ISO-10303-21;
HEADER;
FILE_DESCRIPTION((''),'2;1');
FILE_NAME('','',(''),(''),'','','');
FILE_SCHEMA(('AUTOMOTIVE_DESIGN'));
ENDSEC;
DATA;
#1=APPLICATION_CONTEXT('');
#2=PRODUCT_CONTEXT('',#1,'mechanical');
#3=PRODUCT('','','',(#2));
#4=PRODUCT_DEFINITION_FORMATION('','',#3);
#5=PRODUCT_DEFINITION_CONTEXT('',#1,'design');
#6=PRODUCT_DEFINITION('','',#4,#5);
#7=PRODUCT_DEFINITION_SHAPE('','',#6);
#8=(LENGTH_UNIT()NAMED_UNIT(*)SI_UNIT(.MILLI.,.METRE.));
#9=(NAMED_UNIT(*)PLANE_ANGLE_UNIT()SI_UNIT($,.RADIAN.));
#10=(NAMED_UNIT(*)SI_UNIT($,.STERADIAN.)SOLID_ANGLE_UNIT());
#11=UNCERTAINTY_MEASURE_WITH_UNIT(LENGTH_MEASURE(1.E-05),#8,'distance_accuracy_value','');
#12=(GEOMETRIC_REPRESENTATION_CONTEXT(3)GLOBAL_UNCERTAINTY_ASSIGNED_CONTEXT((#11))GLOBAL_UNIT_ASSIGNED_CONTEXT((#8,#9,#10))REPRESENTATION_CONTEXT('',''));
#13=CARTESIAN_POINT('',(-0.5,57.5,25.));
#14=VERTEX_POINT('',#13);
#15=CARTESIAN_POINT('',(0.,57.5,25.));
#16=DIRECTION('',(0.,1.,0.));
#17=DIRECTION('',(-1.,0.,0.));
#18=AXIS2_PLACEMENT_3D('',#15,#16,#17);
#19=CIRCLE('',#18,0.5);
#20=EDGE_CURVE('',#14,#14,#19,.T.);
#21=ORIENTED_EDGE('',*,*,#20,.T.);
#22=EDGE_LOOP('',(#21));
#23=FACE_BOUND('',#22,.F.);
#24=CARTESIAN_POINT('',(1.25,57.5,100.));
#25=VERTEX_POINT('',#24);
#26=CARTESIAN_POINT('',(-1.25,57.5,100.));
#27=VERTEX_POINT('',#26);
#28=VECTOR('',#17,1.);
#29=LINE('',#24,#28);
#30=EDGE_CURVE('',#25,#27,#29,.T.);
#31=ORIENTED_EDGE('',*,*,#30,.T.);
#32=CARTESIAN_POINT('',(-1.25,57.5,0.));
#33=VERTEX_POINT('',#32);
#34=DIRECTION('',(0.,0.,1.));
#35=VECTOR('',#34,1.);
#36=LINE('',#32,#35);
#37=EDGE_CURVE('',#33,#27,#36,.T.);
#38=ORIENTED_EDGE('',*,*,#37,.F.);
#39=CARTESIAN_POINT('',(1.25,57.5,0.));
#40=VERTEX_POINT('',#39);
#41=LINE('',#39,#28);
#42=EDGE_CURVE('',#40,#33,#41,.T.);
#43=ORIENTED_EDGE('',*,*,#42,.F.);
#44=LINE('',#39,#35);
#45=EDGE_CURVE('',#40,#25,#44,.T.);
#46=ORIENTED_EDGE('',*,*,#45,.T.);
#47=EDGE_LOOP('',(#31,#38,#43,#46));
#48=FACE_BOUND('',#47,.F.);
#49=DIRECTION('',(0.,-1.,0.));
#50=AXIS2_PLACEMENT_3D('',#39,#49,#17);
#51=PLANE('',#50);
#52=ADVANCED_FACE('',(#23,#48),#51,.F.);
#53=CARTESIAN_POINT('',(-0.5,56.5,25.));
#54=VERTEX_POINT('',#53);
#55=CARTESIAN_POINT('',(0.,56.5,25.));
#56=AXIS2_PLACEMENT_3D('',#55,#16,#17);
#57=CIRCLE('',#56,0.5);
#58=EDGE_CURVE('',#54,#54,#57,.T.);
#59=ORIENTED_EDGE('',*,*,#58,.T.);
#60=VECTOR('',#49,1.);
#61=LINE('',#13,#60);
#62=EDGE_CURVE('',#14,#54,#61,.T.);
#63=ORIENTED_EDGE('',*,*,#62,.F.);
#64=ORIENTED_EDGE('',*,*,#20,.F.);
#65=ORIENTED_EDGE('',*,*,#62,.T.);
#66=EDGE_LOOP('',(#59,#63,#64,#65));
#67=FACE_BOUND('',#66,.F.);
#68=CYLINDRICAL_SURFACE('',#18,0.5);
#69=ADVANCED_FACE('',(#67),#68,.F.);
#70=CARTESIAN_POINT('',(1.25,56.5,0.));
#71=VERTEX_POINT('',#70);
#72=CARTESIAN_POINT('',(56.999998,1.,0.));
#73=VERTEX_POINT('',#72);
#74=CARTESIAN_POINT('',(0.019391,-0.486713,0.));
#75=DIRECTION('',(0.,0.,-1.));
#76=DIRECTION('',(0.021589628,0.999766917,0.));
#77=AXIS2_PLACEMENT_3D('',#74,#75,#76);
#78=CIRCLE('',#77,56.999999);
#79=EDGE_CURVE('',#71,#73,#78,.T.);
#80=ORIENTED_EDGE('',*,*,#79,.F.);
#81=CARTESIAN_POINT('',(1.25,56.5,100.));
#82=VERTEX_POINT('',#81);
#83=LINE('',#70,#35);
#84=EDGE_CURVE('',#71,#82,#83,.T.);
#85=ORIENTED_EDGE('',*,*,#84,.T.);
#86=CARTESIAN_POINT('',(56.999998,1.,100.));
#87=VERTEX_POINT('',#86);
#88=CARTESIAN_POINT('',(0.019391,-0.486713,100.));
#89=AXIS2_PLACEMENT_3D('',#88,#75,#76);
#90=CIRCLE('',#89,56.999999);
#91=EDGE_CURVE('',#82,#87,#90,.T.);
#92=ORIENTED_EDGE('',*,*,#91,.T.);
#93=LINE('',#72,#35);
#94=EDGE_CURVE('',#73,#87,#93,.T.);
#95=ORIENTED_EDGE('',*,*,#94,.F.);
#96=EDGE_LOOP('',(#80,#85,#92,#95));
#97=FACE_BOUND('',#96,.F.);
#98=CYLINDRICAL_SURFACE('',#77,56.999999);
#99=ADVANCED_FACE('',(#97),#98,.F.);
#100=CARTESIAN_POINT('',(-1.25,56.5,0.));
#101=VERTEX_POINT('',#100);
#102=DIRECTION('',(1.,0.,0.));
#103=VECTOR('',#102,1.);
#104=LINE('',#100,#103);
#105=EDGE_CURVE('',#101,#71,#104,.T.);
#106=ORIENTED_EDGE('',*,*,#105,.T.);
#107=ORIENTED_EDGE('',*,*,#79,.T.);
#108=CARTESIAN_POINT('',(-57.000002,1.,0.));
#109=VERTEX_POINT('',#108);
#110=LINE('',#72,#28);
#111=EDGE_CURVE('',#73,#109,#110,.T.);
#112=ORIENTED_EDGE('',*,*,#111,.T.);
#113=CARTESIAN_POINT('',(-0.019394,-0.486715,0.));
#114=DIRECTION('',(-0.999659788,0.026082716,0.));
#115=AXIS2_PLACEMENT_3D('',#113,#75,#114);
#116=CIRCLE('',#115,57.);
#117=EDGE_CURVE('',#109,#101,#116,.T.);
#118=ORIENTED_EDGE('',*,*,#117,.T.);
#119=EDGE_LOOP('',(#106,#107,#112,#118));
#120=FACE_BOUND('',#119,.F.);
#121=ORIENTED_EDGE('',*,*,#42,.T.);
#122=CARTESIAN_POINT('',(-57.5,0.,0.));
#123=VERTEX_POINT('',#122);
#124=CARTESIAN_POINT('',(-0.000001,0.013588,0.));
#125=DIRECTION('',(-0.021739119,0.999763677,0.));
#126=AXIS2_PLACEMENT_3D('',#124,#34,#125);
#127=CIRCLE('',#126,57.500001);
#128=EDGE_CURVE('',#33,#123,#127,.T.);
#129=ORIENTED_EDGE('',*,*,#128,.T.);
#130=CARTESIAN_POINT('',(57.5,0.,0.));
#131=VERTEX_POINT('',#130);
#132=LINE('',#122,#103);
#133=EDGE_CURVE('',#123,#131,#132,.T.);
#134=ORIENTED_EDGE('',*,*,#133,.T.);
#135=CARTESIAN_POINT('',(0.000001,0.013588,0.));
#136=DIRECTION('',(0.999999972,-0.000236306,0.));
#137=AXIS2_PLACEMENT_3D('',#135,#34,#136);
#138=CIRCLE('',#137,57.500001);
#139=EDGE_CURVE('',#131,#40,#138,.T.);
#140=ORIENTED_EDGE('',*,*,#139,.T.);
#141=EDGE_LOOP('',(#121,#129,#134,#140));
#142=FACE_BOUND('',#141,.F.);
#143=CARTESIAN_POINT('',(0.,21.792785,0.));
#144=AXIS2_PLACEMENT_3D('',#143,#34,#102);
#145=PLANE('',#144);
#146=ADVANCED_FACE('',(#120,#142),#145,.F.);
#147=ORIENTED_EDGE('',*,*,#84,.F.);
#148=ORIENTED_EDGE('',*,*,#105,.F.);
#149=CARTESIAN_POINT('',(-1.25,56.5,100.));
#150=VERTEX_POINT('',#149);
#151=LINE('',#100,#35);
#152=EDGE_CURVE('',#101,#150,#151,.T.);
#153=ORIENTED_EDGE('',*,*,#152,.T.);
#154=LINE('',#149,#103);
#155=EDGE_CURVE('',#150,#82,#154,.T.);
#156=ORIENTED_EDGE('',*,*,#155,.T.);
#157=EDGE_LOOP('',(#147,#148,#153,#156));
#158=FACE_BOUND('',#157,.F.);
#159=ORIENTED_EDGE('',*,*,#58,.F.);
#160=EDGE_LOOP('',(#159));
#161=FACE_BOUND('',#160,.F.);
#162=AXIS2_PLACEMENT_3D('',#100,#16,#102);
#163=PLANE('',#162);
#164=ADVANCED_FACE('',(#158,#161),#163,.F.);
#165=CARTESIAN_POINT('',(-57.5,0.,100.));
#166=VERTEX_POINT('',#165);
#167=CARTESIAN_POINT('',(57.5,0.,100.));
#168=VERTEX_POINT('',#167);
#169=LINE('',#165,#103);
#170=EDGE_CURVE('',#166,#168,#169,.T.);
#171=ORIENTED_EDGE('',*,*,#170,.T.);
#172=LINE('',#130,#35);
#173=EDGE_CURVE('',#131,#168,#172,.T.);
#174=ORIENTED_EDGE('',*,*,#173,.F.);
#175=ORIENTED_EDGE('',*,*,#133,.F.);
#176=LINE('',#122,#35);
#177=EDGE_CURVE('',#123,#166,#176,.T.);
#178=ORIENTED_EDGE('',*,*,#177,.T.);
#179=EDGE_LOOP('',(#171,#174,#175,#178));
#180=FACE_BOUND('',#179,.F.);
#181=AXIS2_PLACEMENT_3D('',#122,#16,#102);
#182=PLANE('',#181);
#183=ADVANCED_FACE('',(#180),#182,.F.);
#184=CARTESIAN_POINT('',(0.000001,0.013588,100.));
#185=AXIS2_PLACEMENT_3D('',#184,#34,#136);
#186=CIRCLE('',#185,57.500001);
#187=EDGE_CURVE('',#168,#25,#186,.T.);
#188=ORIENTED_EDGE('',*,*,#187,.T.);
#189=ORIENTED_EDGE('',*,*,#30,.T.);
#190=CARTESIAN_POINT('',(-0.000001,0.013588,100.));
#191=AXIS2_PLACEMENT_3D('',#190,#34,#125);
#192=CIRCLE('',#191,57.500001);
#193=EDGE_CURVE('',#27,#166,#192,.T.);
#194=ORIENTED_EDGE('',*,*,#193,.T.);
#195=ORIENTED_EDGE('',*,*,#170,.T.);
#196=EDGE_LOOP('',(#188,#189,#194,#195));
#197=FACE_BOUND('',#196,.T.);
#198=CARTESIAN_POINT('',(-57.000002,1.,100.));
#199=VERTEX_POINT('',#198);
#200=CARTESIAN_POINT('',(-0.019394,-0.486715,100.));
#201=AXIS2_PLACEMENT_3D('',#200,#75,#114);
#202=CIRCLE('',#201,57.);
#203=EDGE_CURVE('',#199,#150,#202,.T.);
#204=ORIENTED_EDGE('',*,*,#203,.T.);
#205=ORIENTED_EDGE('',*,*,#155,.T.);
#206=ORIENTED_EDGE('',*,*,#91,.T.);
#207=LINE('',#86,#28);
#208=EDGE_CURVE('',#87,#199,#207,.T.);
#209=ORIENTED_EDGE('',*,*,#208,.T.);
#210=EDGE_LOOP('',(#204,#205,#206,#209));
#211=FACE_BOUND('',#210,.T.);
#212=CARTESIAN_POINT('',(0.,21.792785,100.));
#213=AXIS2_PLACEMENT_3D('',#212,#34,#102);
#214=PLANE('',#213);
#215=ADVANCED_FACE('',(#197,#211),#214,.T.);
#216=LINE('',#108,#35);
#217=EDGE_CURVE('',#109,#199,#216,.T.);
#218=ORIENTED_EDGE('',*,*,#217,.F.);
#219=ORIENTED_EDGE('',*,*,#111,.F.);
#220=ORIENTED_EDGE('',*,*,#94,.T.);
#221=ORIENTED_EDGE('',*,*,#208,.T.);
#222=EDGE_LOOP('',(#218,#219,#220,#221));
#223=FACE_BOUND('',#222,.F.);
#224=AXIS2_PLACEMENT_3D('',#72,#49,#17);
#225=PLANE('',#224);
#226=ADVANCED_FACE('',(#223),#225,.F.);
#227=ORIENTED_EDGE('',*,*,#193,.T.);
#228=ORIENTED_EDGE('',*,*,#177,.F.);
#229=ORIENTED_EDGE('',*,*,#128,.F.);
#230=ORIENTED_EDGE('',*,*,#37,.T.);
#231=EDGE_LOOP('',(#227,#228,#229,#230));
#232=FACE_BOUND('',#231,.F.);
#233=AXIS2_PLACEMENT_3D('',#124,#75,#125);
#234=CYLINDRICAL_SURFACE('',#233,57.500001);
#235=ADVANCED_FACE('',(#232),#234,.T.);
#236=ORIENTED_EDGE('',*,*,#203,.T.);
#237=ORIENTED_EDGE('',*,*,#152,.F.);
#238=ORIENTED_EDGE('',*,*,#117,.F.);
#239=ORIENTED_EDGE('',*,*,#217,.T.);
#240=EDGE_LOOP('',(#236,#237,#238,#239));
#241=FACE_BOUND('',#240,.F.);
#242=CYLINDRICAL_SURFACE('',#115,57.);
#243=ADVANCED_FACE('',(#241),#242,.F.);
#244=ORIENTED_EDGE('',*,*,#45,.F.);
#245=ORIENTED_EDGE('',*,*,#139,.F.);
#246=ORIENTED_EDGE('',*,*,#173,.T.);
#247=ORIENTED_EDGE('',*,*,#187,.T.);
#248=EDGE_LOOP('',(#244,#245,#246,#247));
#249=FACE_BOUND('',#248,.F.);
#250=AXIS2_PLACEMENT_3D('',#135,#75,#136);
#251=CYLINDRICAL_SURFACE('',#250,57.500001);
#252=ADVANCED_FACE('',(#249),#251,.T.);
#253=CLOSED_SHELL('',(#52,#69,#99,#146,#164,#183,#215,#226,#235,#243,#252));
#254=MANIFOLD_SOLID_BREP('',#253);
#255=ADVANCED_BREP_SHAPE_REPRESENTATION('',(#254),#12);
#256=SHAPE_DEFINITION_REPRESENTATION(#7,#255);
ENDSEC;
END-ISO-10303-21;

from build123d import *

# Parameters (mm, degrees)
F1_DEPTH = 100
F2_R     = 0.5
F3_DEPTH = 25


with BuildPart() as f1:
    # F0 (on Top) → F1 (new body)
    with BuildSketch(Plane.XY):
        with BuildLine():
            ThreePointArc((-1.25, 57.5), (-41.102958, 40.223002), (-57.5, 0))
            Line((-57.5, 0), (57.5, 0))
            ThreePointArc((57.5, 0), (41.102958, 40.223002), (1.25, 57.5))
            Line((1.25, 57.5), (-1.25, 57.5))
        make_face()
        with BuildLine():
            ThreePointArc((-57.000002, 1), (-40.233805, 39.908844), (-1.25, 56.5))
            Line((-1.25, 56.5), (1.25, 56.5))
            ThreePointArc((1.25, 56.5), (40.233803, 39.908843), (56.999998, 1))
            Line((56.999998, 1), (-57.000002, 1))
        make_face(mode=Mode.SUBTRACT)
    extrude(amount=F1_DEPTH)

    # F2 (on face) → F3 (cut)
    with BuildSketch(Plane(origin=(0, 57.5, 0), x_dir=(-1, 0, 0), z_dir=(0, 1, 0))):
        with Locations((0, 25)):
            Circle(F2_R)
    extrude(amount=-F3_DEPTH, mode=Mode.SUBTRACT)


solid = f1.part
